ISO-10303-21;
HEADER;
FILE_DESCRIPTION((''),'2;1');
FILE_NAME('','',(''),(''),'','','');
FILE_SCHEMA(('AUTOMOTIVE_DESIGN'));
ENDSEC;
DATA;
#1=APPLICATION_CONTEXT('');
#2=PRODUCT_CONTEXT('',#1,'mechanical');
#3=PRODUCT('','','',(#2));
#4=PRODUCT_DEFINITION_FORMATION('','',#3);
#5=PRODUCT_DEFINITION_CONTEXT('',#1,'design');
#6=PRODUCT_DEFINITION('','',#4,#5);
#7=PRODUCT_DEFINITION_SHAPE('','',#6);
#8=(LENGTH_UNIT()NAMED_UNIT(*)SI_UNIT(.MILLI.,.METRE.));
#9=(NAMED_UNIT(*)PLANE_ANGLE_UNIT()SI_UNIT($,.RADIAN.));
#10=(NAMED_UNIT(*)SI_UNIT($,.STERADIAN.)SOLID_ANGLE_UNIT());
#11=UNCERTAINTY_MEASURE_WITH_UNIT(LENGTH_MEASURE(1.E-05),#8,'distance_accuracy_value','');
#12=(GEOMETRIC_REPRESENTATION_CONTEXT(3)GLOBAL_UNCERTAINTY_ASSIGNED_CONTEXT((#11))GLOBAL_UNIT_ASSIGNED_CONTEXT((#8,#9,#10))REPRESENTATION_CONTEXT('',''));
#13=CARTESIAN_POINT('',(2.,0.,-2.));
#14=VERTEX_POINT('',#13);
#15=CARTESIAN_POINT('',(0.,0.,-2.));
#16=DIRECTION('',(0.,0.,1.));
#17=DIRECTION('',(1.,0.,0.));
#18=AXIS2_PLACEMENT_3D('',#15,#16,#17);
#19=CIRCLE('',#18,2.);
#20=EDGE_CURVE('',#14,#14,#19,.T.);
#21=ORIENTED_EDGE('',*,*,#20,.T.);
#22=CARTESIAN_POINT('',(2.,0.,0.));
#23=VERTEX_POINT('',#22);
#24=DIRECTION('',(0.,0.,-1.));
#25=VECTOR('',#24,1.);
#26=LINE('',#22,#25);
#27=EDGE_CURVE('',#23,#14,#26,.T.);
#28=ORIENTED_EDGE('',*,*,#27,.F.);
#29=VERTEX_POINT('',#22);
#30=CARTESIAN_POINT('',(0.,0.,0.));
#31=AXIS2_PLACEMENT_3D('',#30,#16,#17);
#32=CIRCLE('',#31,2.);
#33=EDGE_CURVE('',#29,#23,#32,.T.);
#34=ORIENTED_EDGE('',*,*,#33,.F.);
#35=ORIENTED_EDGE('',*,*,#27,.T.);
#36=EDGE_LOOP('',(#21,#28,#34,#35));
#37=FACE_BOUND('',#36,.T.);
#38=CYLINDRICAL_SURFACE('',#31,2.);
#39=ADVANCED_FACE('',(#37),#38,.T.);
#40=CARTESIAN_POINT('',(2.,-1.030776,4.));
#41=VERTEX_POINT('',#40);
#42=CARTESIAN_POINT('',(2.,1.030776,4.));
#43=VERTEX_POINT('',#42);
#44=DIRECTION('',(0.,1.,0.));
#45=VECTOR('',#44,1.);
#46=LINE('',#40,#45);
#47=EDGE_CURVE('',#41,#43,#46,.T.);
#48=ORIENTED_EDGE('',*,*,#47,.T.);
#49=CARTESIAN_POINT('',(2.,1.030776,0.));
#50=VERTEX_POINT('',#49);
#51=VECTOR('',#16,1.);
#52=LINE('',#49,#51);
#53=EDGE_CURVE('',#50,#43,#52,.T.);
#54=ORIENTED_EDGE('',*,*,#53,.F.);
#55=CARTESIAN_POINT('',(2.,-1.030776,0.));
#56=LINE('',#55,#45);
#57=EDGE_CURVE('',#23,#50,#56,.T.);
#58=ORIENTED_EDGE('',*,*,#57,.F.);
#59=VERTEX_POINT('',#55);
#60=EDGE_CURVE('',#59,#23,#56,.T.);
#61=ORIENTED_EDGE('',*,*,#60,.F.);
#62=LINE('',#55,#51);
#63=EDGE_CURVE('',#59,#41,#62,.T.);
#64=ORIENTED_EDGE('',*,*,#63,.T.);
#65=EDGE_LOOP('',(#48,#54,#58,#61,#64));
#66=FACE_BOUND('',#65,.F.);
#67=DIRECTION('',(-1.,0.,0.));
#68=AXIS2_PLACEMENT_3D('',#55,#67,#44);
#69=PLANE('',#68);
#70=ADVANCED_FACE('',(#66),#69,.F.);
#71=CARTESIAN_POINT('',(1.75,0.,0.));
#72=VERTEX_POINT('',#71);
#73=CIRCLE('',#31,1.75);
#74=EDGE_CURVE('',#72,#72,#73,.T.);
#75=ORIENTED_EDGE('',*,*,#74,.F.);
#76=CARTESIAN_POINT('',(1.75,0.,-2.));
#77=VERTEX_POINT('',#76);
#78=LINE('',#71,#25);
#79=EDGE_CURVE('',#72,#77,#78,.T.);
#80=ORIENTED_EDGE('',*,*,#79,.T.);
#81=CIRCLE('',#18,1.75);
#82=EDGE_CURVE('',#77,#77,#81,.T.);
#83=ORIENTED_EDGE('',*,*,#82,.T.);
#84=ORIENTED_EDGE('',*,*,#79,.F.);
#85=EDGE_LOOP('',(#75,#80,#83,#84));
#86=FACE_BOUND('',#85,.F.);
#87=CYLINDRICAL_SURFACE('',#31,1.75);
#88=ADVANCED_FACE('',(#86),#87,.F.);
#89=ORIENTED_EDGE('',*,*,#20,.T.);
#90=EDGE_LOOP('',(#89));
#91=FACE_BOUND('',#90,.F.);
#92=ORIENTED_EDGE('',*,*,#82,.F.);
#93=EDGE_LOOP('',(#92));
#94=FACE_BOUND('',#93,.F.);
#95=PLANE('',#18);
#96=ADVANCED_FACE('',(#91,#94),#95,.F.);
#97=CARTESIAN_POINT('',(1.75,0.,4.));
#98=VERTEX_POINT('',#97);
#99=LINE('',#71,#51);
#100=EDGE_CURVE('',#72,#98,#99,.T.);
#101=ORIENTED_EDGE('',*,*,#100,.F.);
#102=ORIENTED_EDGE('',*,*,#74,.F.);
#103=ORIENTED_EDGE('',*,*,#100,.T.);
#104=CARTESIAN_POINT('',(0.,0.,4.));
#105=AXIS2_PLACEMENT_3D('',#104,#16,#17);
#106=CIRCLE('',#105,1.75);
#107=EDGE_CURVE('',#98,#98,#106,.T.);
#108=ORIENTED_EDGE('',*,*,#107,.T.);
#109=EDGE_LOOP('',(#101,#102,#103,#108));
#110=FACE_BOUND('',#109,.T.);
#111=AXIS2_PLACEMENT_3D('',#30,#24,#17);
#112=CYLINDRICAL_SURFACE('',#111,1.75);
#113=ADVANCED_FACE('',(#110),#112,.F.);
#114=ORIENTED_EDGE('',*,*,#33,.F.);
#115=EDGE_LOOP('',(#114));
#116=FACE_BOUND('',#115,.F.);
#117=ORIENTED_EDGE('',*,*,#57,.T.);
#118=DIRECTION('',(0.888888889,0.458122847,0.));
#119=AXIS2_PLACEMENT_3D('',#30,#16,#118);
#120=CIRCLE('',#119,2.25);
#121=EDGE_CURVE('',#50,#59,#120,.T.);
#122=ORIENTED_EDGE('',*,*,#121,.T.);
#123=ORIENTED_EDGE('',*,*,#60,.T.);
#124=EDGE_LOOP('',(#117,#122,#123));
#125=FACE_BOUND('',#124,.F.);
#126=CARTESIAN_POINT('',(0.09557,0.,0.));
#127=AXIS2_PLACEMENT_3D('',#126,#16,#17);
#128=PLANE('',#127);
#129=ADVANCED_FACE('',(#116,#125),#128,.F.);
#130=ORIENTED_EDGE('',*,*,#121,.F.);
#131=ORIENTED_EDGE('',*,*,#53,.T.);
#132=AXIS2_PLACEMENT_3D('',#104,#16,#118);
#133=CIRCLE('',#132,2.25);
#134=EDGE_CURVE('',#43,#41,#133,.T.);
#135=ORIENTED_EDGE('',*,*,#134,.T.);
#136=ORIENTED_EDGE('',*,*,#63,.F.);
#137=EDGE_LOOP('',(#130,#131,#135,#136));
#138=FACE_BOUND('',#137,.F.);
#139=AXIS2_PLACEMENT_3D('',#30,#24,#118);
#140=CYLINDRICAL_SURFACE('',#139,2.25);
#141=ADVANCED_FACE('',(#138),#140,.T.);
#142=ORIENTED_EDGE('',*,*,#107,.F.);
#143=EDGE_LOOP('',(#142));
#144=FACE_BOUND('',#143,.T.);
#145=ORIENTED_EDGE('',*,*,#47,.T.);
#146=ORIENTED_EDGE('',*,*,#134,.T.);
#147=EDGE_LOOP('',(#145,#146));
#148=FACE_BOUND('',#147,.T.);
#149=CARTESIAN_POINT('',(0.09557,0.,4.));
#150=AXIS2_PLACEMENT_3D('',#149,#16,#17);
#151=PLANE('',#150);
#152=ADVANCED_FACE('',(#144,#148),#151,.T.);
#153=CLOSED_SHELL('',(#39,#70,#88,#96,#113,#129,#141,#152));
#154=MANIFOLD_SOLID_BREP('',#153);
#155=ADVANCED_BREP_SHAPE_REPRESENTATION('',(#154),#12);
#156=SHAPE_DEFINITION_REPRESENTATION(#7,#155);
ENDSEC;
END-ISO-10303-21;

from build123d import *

# Parameters (mm, degrees)
F0_R     = 2
F0_R_2   = 1.75
F1_DEPTH = 4
F2_DEPTH = 2


with BuildPart() as f1:
    # F0 (on Top) → F1 (new body)
    with BuildSketch(Plane.XY):
        with BuildLine():
            Line((2, 0), (2, 1.0307764064))
            ThreePointArc((2, 1.0307764064), (-2.25, 0), (2, -1.0307764064))
            Line((2, -1.0307764064), (2, 0))
        make_face()
        Circle(F0_R, mode=Mode.SUBTRACT)
        Circle(F0_R)
        Circle(F0_R_2, mode=Mode.SUBTRACT)
    extrude(amount=F1_DEPTH)

    # F0 (on Top) → F2 (join)
    with BuildSketch(Plane.XY):
        Circle(F0_R)
        Circle(F0_R_2, mode=Mode.SUBTRACT)
    extrude(amount=-F2_DEPTH)


solid = f1.part
